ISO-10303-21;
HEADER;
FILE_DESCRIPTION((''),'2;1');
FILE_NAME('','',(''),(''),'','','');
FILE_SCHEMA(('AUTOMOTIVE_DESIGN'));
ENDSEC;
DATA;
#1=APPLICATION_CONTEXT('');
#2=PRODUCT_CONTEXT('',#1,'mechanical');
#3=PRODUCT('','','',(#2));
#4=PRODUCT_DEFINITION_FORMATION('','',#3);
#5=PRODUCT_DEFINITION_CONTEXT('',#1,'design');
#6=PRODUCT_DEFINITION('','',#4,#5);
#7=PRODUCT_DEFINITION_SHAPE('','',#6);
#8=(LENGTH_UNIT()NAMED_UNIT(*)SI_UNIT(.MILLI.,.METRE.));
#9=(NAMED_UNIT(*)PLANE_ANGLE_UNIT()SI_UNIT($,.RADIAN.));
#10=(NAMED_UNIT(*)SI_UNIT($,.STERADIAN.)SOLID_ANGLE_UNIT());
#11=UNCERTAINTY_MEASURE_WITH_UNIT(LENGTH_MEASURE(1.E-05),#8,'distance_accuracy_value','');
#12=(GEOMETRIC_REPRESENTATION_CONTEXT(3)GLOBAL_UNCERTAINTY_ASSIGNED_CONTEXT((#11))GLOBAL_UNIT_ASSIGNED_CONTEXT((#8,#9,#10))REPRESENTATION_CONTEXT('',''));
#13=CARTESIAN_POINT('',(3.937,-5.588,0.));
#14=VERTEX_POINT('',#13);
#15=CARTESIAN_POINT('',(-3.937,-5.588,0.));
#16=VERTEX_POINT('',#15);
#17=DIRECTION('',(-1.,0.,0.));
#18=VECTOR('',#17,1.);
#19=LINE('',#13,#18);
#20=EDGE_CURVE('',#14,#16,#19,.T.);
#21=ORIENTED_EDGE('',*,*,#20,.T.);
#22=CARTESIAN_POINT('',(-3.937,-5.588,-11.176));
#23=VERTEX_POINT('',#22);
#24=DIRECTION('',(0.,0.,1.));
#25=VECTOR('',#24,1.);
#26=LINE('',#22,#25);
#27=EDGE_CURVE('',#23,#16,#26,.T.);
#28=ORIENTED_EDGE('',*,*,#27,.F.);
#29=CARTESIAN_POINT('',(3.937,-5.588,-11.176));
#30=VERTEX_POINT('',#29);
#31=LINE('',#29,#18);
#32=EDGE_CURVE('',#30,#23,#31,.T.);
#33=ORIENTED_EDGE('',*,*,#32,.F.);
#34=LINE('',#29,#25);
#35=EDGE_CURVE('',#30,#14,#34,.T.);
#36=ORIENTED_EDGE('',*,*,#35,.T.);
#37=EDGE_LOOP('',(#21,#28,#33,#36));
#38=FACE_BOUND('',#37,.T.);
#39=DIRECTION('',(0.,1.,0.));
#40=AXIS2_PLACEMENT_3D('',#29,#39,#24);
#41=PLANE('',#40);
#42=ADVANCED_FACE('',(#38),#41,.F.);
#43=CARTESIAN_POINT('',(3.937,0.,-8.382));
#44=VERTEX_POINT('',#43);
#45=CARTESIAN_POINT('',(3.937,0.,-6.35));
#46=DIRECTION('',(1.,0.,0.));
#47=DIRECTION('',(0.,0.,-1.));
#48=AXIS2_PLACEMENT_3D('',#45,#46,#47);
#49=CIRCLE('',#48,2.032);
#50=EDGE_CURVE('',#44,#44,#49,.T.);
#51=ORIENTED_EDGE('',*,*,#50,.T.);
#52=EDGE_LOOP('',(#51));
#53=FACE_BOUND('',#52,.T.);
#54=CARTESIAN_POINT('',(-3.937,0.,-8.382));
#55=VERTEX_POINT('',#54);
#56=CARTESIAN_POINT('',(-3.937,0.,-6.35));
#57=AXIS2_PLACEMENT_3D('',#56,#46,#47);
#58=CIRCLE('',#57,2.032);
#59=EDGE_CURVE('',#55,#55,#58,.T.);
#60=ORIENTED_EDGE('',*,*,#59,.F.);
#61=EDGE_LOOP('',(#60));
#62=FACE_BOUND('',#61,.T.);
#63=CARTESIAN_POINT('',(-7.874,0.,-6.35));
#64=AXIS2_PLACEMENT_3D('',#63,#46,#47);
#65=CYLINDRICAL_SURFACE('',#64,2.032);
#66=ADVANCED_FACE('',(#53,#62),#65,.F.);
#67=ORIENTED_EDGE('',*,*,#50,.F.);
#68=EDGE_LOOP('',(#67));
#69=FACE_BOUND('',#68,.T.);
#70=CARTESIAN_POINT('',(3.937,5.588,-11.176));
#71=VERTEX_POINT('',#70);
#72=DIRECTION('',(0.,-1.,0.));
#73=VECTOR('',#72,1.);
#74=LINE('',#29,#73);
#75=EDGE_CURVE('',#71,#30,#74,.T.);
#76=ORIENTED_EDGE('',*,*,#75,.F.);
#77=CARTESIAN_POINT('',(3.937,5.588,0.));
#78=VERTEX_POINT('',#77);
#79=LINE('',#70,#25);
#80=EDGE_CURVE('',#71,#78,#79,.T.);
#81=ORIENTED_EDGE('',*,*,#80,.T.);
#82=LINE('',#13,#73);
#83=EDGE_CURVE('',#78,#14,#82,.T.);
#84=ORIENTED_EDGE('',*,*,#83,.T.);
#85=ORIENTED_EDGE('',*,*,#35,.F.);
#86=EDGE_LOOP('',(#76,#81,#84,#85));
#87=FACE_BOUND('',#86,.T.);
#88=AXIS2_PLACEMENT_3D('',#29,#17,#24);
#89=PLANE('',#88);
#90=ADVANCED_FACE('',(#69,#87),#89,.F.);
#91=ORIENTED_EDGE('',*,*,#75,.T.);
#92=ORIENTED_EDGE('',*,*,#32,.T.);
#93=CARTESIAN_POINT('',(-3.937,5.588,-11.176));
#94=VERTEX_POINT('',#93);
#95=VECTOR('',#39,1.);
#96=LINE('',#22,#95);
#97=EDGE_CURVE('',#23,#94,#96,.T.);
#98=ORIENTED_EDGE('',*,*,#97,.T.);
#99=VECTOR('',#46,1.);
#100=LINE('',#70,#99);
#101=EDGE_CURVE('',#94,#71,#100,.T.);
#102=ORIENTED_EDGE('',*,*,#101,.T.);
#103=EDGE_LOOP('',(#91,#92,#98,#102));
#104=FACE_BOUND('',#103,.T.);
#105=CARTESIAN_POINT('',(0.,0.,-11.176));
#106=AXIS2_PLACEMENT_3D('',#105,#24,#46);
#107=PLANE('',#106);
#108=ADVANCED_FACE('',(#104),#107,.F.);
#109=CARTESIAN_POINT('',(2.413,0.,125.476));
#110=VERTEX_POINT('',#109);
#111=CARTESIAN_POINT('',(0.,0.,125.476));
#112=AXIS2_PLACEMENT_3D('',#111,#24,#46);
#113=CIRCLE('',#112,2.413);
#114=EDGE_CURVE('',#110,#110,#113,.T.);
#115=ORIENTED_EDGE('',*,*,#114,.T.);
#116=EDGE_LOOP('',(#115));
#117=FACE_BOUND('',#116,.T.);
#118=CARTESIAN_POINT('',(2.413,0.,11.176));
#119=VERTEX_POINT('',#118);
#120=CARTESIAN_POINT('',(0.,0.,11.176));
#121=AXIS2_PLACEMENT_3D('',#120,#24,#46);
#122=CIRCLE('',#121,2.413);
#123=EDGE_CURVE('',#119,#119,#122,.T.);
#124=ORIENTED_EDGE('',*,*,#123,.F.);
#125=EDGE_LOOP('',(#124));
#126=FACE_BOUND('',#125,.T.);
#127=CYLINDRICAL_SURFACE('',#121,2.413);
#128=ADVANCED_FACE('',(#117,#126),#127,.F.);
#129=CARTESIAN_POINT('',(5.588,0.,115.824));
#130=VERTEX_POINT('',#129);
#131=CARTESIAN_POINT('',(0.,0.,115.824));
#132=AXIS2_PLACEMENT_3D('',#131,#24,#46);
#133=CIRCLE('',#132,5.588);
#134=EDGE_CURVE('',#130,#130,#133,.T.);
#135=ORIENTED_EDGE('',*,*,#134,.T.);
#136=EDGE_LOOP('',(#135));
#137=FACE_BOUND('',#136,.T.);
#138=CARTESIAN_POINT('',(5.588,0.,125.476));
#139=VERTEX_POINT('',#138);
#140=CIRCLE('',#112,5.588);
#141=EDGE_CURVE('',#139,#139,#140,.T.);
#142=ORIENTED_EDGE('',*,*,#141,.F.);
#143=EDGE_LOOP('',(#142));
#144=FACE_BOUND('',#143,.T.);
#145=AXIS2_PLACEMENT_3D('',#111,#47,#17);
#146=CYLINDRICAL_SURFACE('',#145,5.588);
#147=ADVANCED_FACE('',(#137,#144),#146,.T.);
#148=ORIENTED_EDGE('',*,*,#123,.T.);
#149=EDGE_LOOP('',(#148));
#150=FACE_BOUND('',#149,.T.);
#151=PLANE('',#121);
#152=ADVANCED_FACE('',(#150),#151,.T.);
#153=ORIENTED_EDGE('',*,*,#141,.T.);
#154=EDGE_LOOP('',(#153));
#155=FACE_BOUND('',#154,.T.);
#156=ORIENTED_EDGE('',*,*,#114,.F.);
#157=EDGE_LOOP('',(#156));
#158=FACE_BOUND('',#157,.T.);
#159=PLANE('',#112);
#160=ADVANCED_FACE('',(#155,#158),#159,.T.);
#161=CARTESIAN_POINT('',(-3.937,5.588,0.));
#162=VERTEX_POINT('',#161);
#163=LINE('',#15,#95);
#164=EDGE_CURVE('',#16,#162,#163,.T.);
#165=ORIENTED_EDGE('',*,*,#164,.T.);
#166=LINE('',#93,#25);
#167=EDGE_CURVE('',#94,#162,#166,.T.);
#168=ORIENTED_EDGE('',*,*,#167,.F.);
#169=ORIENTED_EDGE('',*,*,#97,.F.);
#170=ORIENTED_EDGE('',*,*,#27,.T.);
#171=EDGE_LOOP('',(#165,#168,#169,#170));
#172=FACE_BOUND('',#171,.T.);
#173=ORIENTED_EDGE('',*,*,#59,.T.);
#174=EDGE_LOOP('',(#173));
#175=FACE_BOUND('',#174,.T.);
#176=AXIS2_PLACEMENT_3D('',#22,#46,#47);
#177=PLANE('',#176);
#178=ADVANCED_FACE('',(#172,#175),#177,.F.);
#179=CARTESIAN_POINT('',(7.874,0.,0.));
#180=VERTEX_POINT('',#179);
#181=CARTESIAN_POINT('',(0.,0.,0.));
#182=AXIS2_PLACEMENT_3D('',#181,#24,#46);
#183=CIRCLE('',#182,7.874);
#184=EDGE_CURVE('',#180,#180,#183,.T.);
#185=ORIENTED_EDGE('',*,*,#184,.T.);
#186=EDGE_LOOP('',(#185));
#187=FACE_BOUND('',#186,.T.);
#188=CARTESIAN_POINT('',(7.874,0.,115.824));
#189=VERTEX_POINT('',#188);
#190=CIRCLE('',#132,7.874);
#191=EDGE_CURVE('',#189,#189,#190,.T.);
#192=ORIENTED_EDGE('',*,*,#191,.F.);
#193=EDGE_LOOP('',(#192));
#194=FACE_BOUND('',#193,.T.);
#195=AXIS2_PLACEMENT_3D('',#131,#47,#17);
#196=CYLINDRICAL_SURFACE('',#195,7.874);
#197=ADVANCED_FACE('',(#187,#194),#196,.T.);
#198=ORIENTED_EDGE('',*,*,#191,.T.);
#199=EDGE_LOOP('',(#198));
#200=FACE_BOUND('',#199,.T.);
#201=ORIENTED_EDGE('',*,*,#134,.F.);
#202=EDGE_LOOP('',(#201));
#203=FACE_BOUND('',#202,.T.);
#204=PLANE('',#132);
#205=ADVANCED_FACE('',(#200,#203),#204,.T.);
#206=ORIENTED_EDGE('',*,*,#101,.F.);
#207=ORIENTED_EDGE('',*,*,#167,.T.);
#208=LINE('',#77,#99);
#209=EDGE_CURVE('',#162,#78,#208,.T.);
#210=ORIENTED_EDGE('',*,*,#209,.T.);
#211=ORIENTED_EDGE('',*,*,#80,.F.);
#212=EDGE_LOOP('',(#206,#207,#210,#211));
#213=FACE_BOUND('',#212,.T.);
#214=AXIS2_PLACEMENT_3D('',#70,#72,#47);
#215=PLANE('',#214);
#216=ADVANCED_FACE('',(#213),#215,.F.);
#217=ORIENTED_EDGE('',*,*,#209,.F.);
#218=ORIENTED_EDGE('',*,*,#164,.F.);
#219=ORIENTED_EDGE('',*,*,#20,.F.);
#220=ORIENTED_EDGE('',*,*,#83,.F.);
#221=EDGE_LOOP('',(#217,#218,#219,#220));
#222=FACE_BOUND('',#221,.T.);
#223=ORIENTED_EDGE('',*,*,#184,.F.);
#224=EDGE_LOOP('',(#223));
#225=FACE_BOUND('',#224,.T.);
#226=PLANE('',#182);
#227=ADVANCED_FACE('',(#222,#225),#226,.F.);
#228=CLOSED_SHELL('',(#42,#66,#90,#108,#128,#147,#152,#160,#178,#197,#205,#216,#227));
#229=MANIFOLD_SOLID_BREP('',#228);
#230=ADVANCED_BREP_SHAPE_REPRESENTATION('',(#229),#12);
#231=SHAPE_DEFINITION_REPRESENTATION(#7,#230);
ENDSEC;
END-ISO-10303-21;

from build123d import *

# Parameters (mm, degrees)
SKETCH1_R           = 7.874
BOSS_EXTRUDE1_DEPTH = 115.824
SKETCH2_R           = 5.588
BOSS_EXTRUDE2_DEPTH = 9.652
SKETCH3_W           = 7.874
SKETCH3_H           = 11.176
BOSS_EXTRUDE3_DEPTH = 11.176
SKETCH4_R           = 2.032
CUT_EXTRUDE1_DEPTH  = 12.811
SKETCH5_R           = 2.413
CUT_EXTRUDE2_DEPTH  = 114.3


with BuildPart() as part:
    # Sketch1 → Boss-Extrude1 (new body)
    with BuildSketch(Plane.XY):
        Circle(SKETCH1_R)
    extrude(amount=BOSS_EXTRUDE1_DEPTH)

    # Sketch2 → Boss-Extrude2 (add)
    with BuildSketch(Plane.XY.offset(115.824)):
        Circle(SKETCH2_R)
    extrude(amount=BOSS_EXTRUDE2_DEPTH)

    # Sketch3 → Boss-Extrude3 (add)
    with BuildSketch(Plane(origin=(0, 0, 0), x_dir=(-1, 0, 0), z_dir=(0, 0, -1))):
        Rectangle(SKETCH3_W, SKETCH3_H)
    extrude(amount=BOSS_EXTRUDE3_DEPTH)

    # Sketch4 → Cut-Extrude1 (cut, through all)
    with BuildSketch(Plane(origin=(3.937, 0, 0), x_dir=(0, 0, -1), z_dir=(1, 0, 0))):
        with Locations((6.35, 0)):
            Circle(SKETCH4_R)
    extrude(amount=-CUT_EXTRUDE1_DEPTH, mode=Mode.SUBTRACT)

    # Sketch5 → Cut-Extrude2 (cut)
    with BuildSketch(Plane.XY.offset(125.476)):
        Circle(SKETCH5_R)
    extrude(amount=-CUT_EXTRUDE2_DEPTH, mode=Mode.SUBTRACT)


solid = part.part
